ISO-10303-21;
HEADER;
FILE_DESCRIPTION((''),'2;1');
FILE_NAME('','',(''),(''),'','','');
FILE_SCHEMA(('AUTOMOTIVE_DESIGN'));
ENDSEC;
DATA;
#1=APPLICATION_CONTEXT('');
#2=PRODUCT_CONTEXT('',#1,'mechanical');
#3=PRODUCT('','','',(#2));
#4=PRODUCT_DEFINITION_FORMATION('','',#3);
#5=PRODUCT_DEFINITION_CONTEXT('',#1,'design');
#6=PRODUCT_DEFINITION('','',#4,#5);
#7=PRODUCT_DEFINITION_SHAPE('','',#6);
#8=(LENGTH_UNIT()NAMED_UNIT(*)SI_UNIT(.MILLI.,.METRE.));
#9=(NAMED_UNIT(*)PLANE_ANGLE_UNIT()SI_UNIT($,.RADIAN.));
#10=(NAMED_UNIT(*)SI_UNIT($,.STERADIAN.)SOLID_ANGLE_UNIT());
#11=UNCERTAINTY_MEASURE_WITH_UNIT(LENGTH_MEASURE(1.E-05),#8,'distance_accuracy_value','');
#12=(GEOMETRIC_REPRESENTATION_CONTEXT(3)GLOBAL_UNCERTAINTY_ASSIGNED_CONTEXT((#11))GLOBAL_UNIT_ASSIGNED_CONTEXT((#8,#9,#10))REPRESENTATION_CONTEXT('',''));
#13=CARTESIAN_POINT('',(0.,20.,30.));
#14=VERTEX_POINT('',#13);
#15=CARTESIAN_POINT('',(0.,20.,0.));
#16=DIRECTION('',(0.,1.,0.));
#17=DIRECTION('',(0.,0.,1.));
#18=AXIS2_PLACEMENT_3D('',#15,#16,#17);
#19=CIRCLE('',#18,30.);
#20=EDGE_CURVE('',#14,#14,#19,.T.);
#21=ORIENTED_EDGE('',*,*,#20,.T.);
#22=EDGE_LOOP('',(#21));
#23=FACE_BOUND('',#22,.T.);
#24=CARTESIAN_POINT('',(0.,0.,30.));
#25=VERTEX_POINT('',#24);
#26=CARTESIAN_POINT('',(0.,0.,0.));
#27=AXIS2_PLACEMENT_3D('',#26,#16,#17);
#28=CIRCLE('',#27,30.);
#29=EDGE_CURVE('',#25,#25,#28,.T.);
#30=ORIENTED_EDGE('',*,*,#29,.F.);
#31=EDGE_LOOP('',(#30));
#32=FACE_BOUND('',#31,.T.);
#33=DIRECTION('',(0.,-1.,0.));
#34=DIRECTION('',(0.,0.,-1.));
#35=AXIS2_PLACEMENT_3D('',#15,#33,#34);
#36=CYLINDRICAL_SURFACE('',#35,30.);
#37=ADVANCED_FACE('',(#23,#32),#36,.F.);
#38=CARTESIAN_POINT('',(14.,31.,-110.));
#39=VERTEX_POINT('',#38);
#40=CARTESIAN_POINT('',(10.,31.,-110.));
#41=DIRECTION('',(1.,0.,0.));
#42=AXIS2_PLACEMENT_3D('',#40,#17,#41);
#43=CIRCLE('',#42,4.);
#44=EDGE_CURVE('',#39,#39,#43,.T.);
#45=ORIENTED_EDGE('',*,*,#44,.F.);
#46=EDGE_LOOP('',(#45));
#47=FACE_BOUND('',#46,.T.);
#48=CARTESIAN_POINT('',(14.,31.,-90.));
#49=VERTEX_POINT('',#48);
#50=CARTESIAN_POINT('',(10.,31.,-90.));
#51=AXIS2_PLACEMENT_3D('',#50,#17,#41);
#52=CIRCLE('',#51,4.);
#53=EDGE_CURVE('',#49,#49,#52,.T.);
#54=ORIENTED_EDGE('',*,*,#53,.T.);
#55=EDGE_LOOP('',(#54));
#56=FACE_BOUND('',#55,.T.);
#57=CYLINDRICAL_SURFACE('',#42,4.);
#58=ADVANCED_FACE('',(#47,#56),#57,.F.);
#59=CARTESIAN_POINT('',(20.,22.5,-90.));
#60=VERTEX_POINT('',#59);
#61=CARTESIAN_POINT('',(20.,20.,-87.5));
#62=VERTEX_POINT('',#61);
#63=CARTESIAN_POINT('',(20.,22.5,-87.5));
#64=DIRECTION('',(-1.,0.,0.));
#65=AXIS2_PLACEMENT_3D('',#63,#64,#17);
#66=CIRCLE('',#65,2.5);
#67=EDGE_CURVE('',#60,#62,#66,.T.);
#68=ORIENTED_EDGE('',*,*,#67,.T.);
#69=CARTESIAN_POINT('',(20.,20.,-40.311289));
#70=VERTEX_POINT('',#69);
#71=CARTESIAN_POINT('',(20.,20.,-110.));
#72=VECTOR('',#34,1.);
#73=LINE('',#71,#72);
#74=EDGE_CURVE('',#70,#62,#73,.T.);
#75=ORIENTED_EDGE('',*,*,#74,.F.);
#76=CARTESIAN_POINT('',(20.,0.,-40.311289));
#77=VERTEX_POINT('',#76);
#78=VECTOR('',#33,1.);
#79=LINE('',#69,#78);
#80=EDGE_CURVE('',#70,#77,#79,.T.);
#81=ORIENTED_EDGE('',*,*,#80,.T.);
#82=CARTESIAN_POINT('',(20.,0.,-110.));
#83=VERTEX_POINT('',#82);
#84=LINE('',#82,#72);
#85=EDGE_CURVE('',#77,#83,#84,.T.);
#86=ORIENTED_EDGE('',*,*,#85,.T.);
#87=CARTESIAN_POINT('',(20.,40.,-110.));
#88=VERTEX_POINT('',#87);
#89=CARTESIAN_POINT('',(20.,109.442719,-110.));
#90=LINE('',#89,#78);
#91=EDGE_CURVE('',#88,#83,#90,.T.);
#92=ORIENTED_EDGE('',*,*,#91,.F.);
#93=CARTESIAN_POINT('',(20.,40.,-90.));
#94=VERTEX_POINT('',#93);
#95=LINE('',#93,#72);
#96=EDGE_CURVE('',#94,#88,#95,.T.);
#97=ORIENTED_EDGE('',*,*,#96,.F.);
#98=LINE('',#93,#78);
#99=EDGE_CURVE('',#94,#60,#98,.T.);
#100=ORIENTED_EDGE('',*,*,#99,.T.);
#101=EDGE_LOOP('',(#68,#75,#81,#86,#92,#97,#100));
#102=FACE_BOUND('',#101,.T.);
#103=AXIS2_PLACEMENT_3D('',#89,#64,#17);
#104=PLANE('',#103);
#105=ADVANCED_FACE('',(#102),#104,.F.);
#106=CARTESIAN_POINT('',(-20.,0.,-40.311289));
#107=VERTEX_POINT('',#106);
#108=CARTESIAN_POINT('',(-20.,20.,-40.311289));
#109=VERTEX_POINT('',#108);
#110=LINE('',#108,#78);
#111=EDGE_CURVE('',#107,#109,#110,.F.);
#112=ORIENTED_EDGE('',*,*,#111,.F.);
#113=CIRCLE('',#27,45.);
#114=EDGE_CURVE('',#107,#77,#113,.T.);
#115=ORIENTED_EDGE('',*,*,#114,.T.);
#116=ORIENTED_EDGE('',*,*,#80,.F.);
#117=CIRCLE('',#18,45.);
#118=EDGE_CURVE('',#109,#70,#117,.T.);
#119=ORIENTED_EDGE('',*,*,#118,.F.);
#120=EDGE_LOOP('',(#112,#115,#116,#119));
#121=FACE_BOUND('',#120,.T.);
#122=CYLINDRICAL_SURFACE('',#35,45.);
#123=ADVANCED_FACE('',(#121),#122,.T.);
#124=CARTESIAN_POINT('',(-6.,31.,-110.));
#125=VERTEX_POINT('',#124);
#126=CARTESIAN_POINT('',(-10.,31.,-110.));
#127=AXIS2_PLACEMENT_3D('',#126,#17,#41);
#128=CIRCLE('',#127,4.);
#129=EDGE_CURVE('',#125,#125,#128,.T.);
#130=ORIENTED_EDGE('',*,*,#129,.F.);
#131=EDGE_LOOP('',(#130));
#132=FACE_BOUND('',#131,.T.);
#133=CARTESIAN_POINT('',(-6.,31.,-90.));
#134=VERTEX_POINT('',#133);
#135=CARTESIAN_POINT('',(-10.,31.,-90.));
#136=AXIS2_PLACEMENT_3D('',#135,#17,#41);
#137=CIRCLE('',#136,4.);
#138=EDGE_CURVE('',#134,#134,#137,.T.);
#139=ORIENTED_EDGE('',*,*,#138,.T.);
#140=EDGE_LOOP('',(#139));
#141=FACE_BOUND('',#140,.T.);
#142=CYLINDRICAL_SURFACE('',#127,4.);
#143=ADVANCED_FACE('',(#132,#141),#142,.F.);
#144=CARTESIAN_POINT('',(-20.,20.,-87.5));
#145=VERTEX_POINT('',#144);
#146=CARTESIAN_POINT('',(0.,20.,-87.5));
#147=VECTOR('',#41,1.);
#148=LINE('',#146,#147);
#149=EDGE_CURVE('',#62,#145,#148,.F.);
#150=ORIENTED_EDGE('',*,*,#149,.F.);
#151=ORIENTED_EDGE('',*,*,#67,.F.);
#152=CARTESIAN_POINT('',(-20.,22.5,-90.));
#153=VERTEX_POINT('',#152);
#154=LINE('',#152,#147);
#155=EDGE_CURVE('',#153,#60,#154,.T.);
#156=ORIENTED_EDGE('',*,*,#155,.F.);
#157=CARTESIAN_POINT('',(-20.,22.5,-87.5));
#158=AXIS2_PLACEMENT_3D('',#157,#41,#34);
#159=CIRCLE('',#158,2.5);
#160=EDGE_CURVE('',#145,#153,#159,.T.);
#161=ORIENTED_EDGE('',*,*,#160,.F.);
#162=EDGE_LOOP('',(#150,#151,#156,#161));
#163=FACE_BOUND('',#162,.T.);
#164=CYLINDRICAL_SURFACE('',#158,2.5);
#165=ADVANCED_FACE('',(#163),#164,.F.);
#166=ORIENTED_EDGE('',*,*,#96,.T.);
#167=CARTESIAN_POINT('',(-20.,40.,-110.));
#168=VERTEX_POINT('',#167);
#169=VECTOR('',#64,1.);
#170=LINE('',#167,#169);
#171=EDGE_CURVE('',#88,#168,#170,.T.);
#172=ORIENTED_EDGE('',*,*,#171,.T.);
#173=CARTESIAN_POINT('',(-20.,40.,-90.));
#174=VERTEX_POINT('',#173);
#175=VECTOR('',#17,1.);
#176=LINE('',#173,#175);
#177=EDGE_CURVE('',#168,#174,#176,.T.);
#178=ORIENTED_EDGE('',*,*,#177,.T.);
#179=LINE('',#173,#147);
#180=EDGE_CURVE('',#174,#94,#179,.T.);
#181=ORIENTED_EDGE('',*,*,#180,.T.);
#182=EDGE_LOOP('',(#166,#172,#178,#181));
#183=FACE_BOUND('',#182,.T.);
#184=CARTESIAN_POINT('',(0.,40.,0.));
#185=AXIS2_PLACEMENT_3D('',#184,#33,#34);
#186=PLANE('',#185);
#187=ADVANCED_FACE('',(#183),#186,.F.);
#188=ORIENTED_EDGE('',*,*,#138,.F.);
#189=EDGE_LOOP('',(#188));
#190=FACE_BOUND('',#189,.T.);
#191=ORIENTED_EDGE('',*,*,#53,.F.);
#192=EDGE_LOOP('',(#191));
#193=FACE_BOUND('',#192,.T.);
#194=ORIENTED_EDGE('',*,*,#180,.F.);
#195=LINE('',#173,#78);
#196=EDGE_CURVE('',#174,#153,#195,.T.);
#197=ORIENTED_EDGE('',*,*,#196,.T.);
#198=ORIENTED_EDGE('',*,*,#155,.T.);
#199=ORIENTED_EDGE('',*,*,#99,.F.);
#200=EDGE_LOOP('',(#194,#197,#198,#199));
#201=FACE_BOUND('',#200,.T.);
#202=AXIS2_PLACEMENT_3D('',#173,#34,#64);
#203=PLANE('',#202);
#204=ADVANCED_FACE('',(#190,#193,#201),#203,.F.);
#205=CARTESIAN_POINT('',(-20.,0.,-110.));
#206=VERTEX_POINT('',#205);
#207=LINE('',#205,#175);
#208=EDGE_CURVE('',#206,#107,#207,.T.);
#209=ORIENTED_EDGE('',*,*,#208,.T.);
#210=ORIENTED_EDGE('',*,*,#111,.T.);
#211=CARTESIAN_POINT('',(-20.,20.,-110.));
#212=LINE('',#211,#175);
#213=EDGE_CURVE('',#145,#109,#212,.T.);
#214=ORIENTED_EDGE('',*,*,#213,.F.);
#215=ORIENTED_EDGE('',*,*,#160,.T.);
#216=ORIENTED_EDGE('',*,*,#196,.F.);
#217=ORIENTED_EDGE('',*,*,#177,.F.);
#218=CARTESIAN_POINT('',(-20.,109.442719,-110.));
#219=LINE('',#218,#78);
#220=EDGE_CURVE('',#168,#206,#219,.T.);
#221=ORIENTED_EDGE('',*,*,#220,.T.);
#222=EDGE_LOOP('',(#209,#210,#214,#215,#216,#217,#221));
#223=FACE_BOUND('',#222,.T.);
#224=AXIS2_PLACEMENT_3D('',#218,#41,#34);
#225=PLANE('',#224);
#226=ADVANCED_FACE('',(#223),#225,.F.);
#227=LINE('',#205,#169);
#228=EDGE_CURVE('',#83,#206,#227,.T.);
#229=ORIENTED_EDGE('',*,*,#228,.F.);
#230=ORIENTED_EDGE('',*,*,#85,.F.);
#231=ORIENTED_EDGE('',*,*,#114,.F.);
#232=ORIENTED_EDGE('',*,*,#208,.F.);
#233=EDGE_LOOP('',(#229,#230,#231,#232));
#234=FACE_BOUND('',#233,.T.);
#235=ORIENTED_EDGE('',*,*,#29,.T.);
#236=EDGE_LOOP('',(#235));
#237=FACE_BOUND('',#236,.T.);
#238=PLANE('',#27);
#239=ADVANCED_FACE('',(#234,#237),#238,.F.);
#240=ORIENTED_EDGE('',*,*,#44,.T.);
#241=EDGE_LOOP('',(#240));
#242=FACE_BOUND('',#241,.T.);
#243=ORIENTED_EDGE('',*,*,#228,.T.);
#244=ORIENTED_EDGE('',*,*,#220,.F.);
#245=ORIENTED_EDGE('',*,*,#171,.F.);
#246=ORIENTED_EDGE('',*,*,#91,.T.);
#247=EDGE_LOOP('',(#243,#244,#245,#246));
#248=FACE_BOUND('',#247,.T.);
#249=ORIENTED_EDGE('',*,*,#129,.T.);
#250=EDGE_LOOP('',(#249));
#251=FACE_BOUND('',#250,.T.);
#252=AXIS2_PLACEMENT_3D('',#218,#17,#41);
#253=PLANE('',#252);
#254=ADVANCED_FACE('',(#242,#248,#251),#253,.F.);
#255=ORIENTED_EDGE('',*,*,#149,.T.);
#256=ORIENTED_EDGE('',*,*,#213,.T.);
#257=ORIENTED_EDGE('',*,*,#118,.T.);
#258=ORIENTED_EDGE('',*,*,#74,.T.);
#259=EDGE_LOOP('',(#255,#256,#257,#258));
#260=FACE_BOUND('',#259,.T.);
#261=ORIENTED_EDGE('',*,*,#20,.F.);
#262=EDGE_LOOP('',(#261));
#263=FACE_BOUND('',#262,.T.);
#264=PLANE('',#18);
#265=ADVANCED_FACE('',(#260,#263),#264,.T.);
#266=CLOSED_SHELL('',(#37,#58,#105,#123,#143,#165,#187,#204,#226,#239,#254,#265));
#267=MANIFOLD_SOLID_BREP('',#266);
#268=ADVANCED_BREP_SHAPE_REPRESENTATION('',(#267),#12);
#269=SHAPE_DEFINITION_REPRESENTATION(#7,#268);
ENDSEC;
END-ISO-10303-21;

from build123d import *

# Parameters (mm, degrees)
SKETCH1_R           = 45
SKETCH1_R_2         = 30
BOSS_EXTRUDE1_DEPTH = 20
SKETCH2_W           = 40
SKETCH2_H           = 80
BOSS_EXTRUDE2_DEPTH = 20
SKETCH3_W           = 40
SKETCH3_H           = 20
BOSS_EXTRUDE3_DEPTH = 20
FILLET1_R           = 2.5
SKETCH4_R           = 4
CUT_EXTRUDE1_DEPTH  = 21


with BuildPart() as part:
    # Sketch1 → Boss-Extrude1 (new body)
    with BuildSketch(Plane(origin=(0, 0, 0), x_dir=(1, 0, 0), z_dir=(0, 1, 0))):
        Circle(SKETCH1_R)
        Circle(SKETCH1_R_2, mode=Mode.SUBTRACT)
    extrude(amount=BOSS_EXTRUDE1_DEPTH)

    # Sketch2 → Boss-Extrude2 (add)
    with BuildSketch(Plane(origin=(0, 0, 0), x_dir=(1, 0, 0), z_dir=(0, 1, 0))):
        with Locations((0, 70)):
            Rectangle(SKETCH2_W, SKETCH2_H)
    extrude(amount=BOSS_EXTRUDE2_DEPTH)

    # Sketch3 → Boss-Extrude3 (add)
    with BuildSketch(Plane(origin=(0, 20, 0), x_dir=(1, 0, 0), z_dir=(0, 1, 0))):
        with Locations((0, 100)):
            Rectangle(SKETCH3_W, SKETCH3_H)
    extrude(amount=BOSS_EXTRUDE3_DEPTH)

    # Fillet1
    fillet1_edges = [part.edges().sort_by_distance(p)[0] for p in [
        (0, 20, -90),
    ]]
    fillet(fillet1_edges, radius=FILLET1_R)

    # Sketch4 → Cut-Extrude1 (cut, through all)
    with BuildSketch(Plane.XY.offset(-90)):
        with Locations((10, 31)):
            Circle(SKETCH4_R)
        with Locations((-10, 31)):
            Circle(SKETCH4_R)
    extrude(amount=-CUT_EXTRUDE1_DEPTH, mode=Mode.SUBTRACT)


solid = part.part
